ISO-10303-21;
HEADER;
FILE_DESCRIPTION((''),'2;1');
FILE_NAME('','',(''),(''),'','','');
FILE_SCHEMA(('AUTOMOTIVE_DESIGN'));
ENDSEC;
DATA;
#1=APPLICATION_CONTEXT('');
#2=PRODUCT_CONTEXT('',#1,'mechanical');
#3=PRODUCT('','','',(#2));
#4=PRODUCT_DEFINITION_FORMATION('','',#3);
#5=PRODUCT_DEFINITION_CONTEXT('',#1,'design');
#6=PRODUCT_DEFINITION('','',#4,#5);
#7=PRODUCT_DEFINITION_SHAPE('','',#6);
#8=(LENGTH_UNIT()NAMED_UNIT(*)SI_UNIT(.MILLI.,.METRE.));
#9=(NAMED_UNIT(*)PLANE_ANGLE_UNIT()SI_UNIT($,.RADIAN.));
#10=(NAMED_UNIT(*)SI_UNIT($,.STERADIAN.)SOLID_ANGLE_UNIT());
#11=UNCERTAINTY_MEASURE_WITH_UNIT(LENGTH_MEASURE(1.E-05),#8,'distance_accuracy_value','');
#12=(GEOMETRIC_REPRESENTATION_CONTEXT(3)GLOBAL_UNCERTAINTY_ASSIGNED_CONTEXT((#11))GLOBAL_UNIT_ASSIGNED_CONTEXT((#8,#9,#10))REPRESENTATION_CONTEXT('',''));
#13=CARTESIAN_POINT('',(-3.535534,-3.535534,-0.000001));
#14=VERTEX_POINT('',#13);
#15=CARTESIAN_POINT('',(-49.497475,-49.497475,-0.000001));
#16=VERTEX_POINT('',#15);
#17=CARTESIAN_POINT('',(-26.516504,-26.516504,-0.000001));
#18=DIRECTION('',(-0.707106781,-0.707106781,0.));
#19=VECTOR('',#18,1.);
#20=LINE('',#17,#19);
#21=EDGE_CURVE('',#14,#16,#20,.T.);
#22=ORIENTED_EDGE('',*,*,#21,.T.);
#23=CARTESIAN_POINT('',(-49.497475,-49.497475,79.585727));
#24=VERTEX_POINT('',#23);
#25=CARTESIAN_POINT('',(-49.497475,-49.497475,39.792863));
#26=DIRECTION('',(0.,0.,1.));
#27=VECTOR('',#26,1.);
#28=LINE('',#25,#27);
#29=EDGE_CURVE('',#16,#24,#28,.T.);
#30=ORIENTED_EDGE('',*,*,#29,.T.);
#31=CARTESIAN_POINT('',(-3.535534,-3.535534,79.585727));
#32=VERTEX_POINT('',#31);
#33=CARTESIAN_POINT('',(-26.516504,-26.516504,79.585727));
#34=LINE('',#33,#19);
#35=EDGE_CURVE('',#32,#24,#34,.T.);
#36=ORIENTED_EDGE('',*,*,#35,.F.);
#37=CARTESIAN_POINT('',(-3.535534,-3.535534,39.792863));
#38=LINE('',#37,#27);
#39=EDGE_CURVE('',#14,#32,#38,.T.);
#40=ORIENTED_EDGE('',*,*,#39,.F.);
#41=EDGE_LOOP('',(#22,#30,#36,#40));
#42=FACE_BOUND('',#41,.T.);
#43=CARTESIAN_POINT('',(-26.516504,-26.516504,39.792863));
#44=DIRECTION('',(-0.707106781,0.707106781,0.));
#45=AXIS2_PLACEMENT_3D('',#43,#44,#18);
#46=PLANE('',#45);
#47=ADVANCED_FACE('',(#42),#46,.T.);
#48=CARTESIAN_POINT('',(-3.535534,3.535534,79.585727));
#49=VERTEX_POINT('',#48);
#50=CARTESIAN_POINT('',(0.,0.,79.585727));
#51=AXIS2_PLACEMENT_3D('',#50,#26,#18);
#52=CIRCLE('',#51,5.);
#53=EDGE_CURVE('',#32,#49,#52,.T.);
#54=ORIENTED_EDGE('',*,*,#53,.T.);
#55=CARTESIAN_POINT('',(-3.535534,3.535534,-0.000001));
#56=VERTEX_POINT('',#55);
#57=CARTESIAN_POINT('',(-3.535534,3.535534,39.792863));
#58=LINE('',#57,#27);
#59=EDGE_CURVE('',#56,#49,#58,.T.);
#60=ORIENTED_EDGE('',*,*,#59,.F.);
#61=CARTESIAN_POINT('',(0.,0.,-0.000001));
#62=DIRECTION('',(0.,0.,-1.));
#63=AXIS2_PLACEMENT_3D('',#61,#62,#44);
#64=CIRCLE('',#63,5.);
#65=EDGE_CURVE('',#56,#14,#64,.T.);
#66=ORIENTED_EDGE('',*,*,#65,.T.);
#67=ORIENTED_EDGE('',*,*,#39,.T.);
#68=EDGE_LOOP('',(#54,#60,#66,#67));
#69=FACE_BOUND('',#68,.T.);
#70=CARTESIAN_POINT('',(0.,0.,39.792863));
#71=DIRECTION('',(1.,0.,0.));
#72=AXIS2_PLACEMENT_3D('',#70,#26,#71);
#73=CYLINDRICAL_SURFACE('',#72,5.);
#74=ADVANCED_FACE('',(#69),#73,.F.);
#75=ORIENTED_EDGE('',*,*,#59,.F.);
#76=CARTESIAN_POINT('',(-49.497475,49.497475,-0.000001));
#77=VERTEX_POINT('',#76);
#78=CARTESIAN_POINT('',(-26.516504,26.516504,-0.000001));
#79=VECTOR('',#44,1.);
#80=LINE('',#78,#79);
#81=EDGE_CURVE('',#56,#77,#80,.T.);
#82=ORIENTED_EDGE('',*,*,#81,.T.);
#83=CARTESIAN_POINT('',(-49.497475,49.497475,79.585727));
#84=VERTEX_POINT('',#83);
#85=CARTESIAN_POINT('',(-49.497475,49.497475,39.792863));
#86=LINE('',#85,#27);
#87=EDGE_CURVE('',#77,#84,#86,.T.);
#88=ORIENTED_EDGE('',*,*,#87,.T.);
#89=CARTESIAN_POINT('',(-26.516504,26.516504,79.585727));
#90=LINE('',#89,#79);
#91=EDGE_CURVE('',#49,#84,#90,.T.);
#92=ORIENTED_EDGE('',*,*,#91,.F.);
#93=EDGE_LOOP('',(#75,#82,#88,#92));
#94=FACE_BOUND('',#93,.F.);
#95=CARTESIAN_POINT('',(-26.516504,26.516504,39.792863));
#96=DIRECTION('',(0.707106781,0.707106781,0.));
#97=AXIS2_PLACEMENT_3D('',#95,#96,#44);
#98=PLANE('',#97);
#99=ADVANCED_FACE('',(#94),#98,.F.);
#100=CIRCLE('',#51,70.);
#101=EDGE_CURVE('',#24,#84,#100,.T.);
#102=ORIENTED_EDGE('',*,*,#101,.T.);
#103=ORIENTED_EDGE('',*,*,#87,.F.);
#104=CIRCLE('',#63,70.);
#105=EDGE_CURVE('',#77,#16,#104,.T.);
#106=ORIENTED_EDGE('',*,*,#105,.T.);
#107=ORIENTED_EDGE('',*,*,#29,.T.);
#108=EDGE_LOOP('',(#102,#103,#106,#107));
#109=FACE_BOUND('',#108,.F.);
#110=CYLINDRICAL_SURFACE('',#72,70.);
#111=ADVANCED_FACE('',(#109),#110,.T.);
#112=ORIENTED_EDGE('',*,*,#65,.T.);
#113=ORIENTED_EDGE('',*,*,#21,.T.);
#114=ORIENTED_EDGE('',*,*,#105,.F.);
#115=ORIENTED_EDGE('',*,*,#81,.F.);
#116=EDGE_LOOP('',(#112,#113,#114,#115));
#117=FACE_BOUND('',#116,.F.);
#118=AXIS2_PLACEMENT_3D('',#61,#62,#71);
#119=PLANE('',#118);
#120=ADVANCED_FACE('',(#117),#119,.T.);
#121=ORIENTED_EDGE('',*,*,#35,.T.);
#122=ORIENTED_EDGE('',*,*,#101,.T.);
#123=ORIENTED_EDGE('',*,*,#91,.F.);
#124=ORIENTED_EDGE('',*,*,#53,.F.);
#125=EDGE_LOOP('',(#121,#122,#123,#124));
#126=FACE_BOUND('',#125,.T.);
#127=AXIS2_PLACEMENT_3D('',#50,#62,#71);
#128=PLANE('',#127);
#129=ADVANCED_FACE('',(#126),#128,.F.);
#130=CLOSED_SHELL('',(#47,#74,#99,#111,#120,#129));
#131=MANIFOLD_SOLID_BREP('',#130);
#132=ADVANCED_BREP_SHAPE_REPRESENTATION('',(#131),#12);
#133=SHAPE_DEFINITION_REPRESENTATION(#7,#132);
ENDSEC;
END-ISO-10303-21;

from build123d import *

# Parameters (mm, degrees)
F0_W     = 65
F0_H     = 79.585727
F1_ANGLE = 270


with BuildPart() as f1:
    # F0 (on Front) → F1 (revolve, symmetric)
    with BuildSketch(Plane.XZ) as f1_sk:
        with Locations((37.5, 39.792863)):
            Rectangle(F0_W, F0_H)
    revolve(axis=Axis((0, 0, 39.915223), (0, 0, 1)), revolution_arc=F1_ANGLE / 2)
    revolve(f1_sk.sketch, axis=Axis((0, 0, 39.915223), (0, 0, -1)), revolution_arc=F1_ANGLE / 2)


solid = f1.part
